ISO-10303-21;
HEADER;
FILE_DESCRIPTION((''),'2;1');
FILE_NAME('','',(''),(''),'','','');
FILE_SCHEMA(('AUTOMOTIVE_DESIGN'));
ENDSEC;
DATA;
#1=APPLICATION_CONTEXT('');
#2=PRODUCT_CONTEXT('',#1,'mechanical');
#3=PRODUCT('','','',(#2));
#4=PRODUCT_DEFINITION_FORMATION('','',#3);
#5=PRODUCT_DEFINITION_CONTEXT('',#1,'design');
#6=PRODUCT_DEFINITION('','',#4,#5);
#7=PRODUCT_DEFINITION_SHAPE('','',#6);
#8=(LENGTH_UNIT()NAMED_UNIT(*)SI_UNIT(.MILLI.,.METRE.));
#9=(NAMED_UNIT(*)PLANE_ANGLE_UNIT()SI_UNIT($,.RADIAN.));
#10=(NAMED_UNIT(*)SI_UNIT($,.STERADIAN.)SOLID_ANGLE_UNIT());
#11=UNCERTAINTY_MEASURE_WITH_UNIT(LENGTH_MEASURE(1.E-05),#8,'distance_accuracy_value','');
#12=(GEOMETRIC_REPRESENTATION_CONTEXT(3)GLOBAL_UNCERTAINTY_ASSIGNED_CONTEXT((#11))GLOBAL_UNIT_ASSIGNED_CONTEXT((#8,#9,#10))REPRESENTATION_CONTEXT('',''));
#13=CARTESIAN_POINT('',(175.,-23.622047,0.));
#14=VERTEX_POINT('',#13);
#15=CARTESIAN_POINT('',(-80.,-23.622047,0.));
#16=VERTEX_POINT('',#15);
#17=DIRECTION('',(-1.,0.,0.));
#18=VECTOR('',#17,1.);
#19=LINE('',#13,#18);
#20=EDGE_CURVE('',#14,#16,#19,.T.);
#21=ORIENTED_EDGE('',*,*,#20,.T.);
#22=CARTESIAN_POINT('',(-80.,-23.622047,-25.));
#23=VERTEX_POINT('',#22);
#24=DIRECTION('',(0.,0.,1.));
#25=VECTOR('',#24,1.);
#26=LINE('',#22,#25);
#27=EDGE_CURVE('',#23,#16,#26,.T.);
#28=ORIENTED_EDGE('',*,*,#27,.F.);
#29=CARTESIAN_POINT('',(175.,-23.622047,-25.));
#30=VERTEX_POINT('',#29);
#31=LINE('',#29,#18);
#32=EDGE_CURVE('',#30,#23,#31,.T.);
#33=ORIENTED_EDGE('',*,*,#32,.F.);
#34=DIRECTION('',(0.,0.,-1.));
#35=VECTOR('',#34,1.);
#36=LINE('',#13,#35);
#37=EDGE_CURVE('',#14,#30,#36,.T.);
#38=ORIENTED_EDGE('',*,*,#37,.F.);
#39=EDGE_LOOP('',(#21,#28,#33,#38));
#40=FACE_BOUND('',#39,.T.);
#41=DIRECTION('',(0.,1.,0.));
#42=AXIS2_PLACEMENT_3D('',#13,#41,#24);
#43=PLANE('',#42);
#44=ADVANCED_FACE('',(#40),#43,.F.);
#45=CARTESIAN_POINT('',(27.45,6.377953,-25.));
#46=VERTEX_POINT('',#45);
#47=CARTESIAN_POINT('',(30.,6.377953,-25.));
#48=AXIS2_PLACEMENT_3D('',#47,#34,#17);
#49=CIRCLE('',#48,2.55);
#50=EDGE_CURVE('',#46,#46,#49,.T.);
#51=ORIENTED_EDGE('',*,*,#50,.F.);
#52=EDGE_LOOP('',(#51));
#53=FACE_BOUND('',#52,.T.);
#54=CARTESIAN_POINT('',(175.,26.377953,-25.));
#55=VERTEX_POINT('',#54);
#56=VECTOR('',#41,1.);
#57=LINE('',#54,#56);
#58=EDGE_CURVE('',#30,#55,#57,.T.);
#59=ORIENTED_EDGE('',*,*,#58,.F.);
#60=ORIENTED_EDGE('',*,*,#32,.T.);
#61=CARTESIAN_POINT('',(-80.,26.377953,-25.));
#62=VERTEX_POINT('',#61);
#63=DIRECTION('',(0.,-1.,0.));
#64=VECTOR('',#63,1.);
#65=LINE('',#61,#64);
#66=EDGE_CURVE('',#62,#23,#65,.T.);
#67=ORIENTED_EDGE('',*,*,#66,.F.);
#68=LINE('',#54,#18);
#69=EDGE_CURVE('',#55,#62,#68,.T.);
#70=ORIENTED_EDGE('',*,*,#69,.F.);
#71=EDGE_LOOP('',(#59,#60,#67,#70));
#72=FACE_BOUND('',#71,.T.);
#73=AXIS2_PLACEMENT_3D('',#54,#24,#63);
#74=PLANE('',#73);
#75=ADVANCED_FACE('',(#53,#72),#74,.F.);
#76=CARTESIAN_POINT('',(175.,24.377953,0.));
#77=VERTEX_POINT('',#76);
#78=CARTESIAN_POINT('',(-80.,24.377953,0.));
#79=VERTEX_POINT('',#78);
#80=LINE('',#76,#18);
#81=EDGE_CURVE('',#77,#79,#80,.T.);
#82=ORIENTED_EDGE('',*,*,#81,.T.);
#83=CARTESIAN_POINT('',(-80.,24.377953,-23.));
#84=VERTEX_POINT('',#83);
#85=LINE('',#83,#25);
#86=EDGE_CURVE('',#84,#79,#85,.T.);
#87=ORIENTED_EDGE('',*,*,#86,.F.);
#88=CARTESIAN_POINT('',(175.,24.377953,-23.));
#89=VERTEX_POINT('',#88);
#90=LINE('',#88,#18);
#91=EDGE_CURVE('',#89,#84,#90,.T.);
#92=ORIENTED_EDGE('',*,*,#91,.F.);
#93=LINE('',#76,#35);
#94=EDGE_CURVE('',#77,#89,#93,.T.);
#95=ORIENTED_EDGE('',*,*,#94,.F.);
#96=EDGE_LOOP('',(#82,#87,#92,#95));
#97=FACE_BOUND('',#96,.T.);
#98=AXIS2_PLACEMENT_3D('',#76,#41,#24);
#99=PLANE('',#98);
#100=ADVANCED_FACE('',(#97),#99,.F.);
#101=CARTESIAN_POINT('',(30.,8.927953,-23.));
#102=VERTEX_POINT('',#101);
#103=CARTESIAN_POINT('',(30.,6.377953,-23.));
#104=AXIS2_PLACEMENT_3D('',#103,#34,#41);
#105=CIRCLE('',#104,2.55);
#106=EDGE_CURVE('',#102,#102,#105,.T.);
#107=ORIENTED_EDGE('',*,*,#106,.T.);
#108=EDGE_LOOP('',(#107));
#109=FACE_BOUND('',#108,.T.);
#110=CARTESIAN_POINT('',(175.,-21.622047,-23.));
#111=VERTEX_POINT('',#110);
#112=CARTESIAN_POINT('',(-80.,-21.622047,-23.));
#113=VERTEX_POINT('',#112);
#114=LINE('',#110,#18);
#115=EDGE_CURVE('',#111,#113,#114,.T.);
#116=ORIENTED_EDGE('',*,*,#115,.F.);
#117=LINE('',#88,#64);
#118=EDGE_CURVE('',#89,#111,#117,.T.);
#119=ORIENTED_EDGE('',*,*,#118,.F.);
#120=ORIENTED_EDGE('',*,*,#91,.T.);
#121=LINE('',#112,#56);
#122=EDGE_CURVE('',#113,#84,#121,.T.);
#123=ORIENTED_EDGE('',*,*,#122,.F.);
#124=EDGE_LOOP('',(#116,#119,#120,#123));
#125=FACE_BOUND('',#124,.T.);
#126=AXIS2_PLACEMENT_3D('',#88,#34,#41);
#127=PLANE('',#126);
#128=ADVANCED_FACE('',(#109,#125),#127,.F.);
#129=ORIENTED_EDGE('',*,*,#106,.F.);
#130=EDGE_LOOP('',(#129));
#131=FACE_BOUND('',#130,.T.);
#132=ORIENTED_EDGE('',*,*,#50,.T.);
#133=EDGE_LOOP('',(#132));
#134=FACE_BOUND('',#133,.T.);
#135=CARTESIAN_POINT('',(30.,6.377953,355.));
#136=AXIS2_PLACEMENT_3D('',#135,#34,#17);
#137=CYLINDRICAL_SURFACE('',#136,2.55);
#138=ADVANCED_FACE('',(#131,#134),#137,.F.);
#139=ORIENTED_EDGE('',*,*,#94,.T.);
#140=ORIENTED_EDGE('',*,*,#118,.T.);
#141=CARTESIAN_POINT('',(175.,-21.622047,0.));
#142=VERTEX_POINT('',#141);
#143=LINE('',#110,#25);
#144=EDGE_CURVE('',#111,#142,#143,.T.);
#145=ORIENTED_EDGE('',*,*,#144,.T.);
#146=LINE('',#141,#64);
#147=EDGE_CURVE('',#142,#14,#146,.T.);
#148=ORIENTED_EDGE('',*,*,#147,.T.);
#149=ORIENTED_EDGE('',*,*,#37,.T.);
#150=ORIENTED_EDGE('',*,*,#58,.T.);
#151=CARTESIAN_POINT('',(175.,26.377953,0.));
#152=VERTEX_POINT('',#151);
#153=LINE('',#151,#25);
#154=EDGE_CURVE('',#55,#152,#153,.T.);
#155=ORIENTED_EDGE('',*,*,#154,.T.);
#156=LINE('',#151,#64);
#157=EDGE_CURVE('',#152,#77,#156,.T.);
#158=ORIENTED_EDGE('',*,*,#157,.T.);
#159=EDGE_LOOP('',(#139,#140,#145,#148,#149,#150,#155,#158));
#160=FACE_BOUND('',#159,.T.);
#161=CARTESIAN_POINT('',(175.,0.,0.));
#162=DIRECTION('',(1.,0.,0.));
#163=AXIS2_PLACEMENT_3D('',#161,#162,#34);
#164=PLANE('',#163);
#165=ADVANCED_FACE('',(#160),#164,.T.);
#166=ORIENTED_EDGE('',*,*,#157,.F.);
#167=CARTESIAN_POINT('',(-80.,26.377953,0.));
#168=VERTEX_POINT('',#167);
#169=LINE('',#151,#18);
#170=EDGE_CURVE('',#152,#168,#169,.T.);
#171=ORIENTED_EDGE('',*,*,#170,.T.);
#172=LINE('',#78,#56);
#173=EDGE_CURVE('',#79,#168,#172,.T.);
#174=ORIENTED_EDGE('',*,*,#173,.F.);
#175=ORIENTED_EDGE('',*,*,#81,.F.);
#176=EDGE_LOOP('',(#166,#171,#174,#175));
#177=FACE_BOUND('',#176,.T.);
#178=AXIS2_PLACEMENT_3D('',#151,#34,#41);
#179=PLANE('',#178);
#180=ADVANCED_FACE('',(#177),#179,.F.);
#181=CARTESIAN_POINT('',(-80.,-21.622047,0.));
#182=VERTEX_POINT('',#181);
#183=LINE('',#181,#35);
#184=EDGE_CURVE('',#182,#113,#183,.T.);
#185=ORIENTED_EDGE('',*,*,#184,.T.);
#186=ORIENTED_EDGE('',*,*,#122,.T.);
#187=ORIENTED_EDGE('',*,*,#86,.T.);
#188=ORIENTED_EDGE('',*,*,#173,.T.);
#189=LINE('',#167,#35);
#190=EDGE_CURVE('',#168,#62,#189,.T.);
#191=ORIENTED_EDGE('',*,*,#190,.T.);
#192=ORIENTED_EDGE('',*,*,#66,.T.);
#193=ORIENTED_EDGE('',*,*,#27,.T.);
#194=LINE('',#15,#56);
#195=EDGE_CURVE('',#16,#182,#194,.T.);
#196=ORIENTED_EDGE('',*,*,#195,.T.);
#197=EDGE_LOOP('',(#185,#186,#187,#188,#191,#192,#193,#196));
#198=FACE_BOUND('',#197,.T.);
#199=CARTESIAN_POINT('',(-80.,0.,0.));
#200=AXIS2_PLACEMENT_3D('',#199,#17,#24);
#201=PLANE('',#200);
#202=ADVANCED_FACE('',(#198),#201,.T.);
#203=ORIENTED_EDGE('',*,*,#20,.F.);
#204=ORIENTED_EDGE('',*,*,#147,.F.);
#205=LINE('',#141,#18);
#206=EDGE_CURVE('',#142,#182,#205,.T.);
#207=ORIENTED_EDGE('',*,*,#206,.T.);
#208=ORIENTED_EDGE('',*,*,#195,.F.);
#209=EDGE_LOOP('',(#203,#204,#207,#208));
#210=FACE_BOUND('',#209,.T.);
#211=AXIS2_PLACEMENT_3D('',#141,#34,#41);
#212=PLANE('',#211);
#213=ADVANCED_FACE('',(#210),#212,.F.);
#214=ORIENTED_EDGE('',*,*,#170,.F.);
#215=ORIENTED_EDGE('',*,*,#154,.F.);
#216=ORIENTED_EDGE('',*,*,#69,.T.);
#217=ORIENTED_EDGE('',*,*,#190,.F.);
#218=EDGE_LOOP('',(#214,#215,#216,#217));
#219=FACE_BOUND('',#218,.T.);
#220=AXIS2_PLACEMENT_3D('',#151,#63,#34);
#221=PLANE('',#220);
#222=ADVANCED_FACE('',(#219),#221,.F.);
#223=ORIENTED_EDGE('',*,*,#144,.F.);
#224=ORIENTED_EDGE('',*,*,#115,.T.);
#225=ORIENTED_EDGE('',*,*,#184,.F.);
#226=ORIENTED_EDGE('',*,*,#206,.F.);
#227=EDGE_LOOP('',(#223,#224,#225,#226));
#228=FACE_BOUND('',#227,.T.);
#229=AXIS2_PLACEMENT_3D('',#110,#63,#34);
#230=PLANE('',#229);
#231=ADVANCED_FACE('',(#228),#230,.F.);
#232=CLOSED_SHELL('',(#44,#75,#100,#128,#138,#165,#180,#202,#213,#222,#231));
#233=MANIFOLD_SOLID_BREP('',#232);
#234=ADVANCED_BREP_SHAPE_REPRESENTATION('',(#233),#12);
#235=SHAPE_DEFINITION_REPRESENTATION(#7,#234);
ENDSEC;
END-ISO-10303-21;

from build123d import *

# Parameters (mm, degrees)
BOSS_EXTRUDE1_DEPTH = 175
SKETCH2_R           = 2.55
CUT_EXTRUDE1_DEPTH  = 380
BOSS_EXTRUDE2_DEPTH = 80


with BuildPart() as part:
    # Sketch1 → Boss-Extrude1 (new body)
    with BuildSketch(Plane(origin=(0, 0, 0), x_dir=(0, 0, -1), z_dir=(1, 0, 0))):
        Polygon((0, 24.377952756), (23, 24.377952756), (23, -21.622047244), (0, -21.622047244), (0, -23.622047244), (25, -23.622047244), (25, 26.377952756), (0, 26.377952756), align=None)
    extrude(amount=BOSS_EXTRUDE1_DEPTH)

    # Sketch2 → Cut-Extrude1 (cut)
    with BuildSketch(Plane(origin=(0, 0, -25), x_dir=(-1, 0, 0), z_dir=(0, 0, -1))):
        with Locations((-30, 6.377952756)):
            Circle(SKETCH2_R)
    extrude(amount=-CUT_EXTRUDE1_DEPTH, mode=Mode.SUBTRACT)

    # Sketch3 → Boss-Extrude2 (add)
    with BuildSketch(Plane.ZY):
        Polygon((0, 26.377952756), (-25, 26.377952756), (-25, -23.622047244), (0, -23.622047244), (0, -21.622047244), (-23, -21.622047244), (-23, 24.377952756), (0, 24.377952756), align=None)
    extrude(amount=BOSS_EXTRUDE2_DEPTH)


solid = part.part
